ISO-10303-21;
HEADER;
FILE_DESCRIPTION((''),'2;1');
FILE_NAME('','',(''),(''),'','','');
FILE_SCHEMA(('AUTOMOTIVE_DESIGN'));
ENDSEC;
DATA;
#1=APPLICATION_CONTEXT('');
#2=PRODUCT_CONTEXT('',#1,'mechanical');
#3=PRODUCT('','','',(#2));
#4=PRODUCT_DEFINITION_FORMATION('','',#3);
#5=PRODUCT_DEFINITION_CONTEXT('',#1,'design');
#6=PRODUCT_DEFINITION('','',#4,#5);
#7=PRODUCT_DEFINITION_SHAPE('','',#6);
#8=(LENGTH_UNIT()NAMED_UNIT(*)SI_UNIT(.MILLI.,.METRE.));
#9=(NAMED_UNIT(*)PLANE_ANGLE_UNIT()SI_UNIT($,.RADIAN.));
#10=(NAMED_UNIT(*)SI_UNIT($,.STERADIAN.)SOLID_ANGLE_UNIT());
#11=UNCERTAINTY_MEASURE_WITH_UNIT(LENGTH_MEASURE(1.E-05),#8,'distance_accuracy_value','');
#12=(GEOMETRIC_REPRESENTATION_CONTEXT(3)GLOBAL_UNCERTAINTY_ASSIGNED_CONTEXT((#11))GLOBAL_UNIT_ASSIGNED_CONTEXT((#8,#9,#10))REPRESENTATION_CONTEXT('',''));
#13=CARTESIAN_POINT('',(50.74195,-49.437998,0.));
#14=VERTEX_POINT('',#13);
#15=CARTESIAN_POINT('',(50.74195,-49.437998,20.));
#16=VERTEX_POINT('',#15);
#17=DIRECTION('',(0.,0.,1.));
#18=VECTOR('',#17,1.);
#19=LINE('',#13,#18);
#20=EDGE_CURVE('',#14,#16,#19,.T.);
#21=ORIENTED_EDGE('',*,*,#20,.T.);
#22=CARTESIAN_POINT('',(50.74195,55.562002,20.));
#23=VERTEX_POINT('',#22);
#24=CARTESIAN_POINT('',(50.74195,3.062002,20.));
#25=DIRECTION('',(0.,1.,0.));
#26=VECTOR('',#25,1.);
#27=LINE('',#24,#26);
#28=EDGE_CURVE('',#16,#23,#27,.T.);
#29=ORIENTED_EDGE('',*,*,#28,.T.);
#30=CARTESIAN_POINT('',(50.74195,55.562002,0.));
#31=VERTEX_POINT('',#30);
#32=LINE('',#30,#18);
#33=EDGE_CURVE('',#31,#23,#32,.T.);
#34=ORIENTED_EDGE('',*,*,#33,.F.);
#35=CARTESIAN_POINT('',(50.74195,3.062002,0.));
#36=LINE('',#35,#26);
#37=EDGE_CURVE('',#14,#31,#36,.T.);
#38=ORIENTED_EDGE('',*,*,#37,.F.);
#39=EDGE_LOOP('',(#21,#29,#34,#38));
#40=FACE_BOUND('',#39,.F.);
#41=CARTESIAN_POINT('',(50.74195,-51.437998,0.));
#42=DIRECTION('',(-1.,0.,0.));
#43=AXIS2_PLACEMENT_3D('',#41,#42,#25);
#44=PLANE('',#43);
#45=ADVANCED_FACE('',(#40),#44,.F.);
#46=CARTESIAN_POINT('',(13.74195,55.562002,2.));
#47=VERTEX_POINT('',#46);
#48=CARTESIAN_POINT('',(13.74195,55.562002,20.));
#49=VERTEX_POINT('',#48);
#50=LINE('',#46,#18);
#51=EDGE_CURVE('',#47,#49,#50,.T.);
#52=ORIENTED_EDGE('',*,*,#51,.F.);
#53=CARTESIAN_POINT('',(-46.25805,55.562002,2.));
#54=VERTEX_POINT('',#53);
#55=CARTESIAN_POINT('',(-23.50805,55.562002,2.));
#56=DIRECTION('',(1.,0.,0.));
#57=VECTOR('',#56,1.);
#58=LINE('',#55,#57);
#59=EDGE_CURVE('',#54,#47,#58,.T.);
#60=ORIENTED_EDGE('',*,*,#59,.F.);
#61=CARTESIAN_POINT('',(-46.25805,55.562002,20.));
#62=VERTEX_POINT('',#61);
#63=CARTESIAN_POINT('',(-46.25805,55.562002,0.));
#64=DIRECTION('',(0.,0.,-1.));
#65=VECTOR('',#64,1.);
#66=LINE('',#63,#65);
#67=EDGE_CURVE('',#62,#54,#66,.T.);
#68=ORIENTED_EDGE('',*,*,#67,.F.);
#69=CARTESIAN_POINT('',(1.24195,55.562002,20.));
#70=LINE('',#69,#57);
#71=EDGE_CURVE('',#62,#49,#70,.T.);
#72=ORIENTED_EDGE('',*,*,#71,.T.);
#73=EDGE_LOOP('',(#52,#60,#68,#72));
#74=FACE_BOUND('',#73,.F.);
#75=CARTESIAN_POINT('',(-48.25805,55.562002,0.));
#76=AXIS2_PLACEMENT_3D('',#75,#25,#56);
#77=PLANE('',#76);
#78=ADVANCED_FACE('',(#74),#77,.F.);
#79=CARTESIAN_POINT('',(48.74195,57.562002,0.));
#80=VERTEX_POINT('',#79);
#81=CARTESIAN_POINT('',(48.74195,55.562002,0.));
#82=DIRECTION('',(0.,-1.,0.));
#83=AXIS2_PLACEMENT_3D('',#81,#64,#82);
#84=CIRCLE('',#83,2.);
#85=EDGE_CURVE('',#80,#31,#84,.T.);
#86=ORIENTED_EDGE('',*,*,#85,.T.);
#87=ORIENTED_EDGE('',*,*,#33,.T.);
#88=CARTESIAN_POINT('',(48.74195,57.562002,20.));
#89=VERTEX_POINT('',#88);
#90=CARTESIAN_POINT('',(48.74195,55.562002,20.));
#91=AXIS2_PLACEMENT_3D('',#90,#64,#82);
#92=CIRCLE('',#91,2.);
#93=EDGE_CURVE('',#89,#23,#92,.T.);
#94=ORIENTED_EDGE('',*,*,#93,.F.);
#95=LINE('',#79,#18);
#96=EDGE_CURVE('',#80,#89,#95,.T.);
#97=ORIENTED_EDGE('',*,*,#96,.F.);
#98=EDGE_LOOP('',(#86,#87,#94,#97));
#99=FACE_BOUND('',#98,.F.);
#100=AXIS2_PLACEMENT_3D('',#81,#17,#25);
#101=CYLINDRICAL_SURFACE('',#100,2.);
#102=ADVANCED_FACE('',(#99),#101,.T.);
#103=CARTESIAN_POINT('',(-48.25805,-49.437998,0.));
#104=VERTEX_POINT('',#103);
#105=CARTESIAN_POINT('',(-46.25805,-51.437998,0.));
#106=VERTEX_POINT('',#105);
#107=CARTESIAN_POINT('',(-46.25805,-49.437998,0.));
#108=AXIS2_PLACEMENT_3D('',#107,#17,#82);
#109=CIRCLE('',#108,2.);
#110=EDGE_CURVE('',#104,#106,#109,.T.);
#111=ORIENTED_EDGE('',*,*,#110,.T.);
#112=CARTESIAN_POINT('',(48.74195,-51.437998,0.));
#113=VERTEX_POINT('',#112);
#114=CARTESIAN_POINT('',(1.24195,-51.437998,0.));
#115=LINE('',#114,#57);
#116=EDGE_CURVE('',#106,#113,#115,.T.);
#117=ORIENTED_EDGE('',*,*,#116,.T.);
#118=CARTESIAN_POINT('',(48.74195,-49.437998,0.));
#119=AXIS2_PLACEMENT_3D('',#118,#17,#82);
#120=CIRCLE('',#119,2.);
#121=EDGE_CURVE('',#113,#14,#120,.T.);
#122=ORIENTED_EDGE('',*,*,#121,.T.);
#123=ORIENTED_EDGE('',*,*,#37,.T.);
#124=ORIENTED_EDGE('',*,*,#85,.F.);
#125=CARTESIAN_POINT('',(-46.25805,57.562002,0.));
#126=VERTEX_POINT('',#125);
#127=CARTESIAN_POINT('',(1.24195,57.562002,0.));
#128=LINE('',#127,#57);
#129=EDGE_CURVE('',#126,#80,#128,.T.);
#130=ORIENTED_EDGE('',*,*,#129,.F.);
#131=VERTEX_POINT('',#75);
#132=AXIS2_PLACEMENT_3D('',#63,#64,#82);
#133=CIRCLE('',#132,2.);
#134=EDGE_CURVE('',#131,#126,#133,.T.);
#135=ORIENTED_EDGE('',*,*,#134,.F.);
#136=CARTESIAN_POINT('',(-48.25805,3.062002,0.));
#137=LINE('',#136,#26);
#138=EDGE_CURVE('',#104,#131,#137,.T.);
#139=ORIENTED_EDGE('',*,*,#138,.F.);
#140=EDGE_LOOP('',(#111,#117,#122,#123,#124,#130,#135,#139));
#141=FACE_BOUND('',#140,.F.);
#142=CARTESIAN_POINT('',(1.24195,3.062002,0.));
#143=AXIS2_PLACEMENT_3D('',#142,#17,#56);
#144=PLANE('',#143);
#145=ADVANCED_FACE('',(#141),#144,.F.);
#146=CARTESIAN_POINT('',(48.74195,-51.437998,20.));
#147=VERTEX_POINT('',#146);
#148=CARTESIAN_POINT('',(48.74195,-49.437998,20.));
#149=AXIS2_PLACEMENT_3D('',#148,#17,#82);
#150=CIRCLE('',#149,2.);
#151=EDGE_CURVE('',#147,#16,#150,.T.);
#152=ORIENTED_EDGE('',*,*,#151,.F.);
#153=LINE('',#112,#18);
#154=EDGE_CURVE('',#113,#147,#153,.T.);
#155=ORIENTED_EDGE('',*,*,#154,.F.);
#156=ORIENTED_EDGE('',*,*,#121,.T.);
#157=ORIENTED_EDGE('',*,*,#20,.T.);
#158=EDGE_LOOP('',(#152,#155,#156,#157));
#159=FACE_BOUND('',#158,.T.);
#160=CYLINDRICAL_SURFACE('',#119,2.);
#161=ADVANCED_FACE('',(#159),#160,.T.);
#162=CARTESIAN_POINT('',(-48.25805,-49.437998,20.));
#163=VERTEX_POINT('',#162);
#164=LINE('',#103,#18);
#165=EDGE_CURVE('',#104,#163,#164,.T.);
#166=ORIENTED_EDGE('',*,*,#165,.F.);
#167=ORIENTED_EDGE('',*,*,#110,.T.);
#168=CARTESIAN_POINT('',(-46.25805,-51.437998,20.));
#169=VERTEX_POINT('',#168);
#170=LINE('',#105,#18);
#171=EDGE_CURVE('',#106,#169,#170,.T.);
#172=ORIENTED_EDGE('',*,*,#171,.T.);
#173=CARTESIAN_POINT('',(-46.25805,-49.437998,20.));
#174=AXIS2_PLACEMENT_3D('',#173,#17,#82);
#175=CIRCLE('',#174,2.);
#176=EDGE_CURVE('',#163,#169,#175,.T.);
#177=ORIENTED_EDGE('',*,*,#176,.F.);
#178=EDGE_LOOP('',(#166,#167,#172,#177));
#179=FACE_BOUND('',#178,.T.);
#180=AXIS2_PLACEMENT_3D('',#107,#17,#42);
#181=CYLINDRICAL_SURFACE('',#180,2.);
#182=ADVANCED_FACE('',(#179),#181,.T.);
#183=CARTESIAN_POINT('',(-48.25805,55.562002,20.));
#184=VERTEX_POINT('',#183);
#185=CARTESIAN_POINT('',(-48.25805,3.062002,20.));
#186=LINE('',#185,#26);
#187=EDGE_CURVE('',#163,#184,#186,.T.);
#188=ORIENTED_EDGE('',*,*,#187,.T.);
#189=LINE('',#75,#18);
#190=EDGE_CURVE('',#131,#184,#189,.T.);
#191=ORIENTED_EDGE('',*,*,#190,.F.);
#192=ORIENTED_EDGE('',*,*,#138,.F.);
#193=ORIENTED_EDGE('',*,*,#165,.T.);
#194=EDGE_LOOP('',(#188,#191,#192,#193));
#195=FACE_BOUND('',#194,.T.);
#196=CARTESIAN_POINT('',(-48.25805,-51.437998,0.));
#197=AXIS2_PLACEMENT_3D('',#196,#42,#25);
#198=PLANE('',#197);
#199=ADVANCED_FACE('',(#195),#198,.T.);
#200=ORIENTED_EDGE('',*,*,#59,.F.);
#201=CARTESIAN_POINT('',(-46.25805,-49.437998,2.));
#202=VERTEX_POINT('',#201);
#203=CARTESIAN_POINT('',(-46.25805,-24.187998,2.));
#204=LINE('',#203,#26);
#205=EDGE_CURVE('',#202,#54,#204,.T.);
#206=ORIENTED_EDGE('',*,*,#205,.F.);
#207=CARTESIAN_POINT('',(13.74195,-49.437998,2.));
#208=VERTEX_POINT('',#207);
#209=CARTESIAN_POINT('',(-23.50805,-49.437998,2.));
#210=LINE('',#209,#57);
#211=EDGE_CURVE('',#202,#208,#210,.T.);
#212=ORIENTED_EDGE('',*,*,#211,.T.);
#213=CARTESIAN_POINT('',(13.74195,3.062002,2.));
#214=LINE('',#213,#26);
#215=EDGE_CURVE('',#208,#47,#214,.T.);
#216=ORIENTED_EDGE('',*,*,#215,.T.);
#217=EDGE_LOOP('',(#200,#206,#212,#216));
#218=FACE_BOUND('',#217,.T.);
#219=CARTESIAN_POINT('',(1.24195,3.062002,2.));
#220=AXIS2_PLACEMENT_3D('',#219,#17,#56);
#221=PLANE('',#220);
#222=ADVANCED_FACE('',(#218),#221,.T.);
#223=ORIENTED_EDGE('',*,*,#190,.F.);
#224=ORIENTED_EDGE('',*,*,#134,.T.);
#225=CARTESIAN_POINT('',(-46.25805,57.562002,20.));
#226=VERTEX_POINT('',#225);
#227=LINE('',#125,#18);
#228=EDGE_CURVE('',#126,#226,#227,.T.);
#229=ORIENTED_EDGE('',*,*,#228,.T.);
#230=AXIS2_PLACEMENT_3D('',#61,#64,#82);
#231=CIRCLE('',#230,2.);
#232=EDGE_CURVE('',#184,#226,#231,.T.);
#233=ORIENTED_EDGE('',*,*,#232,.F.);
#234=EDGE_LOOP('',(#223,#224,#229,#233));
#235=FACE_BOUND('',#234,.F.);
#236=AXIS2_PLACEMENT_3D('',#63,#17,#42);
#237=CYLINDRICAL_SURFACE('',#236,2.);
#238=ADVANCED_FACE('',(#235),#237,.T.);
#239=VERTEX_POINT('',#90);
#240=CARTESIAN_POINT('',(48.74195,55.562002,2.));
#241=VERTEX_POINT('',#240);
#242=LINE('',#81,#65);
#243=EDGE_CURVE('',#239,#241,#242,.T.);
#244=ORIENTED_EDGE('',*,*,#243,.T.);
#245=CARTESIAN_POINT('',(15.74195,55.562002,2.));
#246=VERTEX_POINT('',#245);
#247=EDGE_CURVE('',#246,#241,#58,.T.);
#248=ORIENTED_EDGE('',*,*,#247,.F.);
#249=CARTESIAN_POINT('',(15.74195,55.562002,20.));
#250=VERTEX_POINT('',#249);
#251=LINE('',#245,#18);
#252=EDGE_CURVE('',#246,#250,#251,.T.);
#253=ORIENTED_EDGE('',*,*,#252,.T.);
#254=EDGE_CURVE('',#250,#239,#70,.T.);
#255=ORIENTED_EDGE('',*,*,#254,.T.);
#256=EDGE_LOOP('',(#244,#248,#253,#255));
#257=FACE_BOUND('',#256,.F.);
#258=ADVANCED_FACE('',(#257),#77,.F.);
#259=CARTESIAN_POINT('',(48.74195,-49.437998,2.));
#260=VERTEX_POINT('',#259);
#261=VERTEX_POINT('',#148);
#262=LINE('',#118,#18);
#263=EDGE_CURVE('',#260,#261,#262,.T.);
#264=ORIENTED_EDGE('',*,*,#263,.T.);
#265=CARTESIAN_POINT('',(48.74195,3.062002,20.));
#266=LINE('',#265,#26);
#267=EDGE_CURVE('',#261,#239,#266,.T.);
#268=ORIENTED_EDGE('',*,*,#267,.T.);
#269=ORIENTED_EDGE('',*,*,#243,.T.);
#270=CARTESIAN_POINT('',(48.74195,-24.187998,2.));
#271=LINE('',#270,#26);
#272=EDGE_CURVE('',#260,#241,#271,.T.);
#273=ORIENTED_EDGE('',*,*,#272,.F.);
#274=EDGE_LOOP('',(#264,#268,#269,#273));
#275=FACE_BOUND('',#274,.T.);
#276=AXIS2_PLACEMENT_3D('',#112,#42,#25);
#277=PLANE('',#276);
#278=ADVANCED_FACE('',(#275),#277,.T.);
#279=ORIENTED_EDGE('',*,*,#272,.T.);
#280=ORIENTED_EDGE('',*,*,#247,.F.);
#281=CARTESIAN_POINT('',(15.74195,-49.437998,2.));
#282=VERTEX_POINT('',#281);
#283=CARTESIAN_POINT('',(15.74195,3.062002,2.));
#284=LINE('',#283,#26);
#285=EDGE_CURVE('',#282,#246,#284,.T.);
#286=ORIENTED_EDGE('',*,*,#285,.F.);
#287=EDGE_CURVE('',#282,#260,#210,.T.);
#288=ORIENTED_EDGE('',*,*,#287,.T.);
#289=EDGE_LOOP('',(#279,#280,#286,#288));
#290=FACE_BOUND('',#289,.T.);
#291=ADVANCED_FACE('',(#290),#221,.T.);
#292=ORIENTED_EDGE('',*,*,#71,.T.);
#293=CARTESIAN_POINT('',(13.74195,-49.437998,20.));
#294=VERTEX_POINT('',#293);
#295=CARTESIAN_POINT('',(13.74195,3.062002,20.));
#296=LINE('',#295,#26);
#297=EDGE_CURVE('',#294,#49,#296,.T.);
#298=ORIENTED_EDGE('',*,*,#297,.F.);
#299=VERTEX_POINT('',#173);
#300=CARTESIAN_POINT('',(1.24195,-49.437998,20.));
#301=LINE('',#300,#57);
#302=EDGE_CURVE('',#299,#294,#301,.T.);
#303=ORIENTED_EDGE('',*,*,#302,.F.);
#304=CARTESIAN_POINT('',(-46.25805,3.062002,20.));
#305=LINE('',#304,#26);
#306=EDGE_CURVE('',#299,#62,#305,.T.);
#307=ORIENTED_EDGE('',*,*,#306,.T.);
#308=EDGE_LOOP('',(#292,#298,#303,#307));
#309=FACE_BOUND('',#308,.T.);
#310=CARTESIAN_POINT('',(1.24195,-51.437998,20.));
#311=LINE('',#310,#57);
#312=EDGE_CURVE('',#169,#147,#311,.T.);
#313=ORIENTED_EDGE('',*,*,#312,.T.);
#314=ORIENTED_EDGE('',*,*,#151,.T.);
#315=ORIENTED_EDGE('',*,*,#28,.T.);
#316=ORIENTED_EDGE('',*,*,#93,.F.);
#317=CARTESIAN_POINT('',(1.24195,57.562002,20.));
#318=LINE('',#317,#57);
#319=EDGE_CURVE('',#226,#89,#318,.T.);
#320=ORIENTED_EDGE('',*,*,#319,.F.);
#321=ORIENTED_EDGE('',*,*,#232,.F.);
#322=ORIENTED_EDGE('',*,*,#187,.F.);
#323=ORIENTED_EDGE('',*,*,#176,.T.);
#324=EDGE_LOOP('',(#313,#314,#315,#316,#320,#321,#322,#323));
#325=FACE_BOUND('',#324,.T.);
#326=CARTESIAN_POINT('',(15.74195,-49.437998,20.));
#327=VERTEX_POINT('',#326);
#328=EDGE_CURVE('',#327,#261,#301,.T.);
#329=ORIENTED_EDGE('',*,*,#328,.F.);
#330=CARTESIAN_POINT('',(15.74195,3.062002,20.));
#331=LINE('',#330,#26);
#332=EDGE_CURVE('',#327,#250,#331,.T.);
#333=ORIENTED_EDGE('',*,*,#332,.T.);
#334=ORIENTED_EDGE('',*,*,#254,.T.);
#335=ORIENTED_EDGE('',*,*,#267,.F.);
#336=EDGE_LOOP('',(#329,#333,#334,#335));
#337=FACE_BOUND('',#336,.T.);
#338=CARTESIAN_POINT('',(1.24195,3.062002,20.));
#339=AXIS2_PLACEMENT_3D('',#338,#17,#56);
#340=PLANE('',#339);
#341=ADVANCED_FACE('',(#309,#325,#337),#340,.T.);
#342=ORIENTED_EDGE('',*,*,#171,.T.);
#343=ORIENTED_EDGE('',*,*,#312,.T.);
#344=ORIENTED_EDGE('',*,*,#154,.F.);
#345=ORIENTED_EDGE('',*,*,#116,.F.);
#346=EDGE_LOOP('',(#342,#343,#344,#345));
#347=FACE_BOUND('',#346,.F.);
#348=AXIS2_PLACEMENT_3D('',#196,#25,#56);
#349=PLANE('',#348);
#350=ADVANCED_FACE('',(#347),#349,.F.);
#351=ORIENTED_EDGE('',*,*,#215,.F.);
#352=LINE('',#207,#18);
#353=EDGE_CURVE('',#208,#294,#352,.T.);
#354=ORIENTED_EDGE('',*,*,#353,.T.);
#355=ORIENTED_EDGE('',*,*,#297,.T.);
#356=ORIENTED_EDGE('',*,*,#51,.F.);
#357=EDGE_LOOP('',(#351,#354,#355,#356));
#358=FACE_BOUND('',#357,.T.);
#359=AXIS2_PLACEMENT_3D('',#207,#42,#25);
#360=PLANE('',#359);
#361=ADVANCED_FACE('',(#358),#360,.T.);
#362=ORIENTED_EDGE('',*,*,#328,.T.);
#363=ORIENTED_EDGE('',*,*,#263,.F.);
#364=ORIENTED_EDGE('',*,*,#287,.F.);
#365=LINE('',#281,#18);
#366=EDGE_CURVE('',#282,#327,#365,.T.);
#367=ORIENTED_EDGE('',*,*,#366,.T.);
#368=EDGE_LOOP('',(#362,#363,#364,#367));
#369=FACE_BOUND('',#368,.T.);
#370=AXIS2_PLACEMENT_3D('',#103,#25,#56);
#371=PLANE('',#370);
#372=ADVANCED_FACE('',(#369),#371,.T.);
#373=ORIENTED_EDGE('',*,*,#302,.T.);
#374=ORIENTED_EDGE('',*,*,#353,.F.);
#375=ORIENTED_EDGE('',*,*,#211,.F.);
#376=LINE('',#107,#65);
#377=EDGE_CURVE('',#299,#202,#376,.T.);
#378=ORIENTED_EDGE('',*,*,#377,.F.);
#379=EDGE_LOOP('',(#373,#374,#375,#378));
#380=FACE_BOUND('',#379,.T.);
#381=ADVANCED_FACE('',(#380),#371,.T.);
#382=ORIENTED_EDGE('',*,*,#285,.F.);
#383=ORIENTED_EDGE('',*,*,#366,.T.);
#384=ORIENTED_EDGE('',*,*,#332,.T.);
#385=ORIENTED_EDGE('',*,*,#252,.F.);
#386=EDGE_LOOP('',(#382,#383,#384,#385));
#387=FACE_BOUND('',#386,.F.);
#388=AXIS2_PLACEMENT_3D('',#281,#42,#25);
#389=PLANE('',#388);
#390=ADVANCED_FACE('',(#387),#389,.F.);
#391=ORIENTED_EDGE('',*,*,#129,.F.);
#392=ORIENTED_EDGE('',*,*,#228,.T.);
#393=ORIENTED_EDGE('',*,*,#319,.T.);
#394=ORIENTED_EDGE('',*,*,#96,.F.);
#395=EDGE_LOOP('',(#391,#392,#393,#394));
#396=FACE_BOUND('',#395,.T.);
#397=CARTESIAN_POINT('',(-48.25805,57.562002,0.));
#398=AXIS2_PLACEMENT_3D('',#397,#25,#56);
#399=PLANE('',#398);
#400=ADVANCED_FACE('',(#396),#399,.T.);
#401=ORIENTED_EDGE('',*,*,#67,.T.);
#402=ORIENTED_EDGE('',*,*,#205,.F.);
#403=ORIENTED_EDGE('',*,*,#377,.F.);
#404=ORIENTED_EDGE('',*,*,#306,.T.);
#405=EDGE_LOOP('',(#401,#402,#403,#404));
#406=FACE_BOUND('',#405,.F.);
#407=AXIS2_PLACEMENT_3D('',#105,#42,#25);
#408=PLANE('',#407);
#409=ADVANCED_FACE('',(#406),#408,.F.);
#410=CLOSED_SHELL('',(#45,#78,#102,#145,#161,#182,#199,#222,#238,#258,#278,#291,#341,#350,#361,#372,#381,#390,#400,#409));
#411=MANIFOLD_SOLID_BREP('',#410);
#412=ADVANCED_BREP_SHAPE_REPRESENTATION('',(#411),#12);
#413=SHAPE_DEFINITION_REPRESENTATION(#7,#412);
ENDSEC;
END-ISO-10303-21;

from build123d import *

# Parameters (mm, degrees)
F0_W     = 99
F0_H     = 109
F1_DEPTH = 20
F2_T     = -2
F3_W     = 2
F3_H     = 105
F4_DEPTH = 18
F5_R     = 2


with BuildPart() as f1:
    # F0 (on Top) → F1 (new body)
    with BuildSketch(Plane.XY):
        with Locations((1.24195, 3.062002)):
            Rectangle(F0_W, F0_H)
    extrude(amount=F1_DEPTH)

    # F2
    f2_openings = [f1.faces().sort_by_distance(p)[0] for p in [
        (1.24195, 3.062002, 20),
    ]]
    offset(amount=F2_T, openings=f2_openings)

    # F3 (on face) → F4 (join, through all)
    with BuildSketch(Plane.XY.offset(2)):
        with Locations((14.74195, 3.062002)):
            Rectangle(F3_W, F3_H)
    extrude(amount=F4_DEPTH)

    # F5
    f5_edges = [f1.edges().sort_by_distance(p)[0] for p in [
        (-48.25805, 57.562002, 10),
        (-48.25805, -51.437998, 10),
        (50.74195, -51.437998, 10),
        (50.74195, 57.562002, 10),
    ]]
    fillet(f5_edges, radius=F5_R)


solid = f1.part
